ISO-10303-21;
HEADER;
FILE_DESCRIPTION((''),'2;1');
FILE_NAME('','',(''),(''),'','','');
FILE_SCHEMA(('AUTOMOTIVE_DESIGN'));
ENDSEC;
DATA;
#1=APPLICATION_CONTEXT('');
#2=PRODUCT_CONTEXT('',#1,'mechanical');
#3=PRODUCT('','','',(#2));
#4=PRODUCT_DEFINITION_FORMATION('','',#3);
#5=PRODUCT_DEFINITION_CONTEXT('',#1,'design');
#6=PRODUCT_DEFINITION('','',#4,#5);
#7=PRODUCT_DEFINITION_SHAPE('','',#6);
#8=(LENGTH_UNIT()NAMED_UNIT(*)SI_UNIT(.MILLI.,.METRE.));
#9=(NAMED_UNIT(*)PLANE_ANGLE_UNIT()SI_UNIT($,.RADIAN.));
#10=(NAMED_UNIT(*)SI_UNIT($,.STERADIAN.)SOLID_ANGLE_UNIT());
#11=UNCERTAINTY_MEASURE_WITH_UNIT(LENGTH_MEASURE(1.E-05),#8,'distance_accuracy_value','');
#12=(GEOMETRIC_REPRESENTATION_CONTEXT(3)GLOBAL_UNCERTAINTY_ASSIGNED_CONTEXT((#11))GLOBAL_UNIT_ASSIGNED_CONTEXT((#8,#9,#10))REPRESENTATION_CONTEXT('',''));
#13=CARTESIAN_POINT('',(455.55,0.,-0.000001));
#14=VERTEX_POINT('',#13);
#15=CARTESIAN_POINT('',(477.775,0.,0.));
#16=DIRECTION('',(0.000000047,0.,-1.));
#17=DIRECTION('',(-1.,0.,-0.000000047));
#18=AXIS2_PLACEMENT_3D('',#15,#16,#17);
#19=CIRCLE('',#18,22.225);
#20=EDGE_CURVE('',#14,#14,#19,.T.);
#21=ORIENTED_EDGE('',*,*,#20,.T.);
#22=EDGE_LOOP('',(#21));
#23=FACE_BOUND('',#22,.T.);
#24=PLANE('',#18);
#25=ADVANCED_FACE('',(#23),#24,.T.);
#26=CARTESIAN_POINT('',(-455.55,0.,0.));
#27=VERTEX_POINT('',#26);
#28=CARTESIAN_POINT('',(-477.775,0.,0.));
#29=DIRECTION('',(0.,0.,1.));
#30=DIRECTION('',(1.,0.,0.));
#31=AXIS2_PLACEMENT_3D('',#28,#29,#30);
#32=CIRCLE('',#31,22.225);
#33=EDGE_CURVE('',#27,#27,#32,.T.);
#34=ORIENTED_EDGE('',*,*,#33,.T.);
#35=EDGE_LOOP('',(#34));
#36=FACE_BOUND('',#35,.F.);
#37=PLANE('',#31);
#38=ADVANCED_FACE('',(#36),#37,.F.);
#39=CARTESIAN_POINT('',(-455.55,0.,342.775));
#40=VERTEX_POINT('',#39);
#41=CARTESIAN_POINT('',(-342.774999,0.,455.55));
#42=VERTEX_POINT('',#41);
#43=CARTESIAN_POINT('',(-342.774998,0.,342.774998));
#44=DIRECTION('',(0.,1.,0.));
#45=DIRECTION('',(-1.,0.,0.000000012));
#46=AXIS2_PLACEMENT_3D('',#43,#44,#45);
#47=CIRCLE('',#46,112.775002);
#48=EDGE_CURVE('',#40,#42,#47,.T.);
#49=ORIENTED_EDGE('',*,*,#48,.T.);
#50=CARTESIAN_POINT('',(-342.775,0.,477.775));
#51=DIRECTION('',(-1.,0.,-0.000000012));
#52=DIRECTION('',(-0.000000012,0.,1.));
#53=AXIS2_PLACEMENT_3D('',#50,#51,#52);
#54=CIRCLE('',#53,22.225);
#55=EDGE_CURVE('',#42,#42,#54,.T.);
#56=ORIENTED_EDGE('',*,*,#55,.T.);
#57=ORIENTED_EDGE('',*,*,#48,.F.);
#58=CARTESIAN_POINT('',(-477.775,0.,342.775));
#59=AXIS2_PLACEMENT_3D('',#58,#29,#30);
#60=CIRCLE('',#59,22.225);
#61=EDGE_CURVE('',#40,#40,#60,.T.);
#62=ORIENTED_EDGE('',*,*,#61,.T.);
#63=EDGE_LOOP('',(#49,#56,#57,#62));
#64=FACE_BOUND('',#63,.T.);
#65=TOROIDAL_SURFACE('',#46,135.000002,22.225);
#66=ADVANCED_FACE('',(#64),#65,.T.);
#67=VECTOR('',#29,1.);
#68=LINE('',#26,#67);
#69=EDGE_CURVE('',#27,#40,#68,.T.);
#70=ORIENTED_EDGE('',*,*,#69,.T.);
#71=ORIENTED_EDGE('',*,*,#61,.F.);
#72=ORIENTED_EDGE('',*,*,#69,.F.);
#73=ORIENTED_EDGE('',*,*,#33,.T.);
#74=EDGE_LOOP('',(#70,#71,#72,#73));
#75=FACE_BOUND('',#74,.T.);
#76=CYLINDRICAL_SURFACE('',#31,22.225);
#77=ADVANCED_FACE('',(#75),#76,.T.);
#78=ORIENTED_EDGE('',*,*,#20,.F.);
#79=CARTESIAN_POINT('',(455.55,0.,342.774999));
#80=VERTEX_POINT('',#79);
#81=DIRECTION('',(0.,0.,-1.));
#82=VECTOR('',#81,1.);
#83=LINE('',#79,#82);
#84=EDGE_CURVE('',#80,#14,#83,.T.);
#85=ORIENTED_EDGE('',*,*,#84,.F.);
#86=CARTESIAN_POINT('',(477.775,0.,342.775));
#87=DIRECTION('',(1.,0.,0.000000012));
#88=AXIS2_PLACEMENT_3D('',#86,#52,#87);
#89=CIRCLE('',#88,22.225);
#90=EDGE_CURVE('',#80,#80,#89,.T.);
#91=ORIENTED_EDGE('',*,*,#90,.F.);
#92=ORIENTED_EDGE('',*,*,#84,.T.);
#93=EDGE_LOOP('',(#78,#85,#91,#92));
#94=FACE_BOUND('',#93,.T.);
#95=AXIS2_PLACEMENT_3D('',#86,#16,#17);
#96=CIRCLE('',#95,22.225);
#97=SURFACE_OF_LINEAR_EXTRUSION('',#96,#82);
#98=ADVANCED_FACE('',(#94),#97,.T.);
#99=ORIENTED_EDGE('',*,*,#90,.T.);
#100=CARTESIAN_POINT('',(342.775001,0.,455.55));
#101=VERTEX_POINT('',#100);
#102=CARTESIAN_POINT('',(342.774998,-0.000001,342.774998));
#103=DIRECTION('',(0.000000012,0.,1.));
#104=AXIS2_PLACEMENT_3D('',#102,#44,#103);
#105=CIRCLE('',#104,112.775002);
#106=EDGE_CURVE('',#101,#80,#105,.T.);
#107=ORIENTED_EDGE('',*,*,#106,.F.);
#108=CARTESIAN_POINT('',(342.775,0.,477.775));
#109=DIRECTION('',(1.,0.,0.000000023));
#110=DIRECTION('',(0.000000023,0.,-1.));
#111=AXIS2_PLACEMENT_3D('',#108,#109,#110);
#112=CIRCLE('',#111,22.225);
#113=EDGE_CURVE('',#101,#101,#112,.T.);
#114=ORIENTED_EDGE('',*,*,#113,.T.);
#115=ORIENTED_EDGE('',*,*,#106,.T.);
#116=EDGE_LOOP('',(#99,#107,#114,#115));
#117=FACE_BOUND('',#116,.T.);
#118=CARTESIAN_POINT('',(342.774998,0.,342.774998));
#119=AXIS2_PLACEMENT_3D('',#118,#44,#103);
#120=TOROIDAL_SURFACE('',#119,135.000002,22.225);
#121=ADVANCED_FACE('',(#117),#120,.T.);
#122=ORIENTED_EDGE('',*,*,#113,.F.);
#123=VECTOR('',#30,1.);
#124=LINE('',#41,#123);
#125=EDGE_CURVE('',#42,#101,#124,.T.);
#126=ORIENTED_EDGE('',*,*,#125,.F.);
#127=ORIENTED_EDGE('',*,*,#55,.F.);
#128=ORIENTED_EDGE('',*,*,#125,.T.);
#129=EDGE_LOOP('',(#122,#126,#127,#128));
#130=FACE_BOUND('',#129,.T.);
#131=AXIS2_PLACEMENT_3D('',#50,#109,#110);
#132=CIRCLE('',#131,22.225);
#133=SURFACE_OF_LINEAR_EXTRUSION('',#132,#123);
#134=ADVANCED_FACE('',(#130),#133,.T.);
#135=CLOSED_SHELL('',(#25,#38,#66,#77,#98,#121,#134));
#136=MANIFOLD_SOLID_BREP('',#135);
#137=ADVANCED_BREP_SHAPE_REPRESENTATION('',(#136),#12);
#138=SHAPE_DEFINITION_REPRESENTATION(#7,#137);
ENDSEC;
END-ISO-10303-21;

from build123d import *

# Parameters (mm, degrees)
F1_R = 22.225


with BuildPart() as f2:
    # F2: sweep along a path in F0
    with BuildLine(Plane.XZ) as f2_path:
        Line((-477.775, 0), (-477.775, 342.775))
        ThreePointArc((-477.775, 342.775), (-438.234415, 438.234415), (-342.775, 477.775))
        Line((-342.775, 477.775), (342.775, 477.775))
        ThreePointArc((342.775, 477.775), (438.234415, 438.234415), (477.775, 342.775))
        Line((477.775, 342.775), (477.775, 0))
    # F1 (on Top) → F2 (sweep)
    with BuildSketch(Plane.XY):
        with Locations((-477.775, 0)):
            Circle(F1_R)
    sweep(path=f2_path.line)


solid = f2.part
